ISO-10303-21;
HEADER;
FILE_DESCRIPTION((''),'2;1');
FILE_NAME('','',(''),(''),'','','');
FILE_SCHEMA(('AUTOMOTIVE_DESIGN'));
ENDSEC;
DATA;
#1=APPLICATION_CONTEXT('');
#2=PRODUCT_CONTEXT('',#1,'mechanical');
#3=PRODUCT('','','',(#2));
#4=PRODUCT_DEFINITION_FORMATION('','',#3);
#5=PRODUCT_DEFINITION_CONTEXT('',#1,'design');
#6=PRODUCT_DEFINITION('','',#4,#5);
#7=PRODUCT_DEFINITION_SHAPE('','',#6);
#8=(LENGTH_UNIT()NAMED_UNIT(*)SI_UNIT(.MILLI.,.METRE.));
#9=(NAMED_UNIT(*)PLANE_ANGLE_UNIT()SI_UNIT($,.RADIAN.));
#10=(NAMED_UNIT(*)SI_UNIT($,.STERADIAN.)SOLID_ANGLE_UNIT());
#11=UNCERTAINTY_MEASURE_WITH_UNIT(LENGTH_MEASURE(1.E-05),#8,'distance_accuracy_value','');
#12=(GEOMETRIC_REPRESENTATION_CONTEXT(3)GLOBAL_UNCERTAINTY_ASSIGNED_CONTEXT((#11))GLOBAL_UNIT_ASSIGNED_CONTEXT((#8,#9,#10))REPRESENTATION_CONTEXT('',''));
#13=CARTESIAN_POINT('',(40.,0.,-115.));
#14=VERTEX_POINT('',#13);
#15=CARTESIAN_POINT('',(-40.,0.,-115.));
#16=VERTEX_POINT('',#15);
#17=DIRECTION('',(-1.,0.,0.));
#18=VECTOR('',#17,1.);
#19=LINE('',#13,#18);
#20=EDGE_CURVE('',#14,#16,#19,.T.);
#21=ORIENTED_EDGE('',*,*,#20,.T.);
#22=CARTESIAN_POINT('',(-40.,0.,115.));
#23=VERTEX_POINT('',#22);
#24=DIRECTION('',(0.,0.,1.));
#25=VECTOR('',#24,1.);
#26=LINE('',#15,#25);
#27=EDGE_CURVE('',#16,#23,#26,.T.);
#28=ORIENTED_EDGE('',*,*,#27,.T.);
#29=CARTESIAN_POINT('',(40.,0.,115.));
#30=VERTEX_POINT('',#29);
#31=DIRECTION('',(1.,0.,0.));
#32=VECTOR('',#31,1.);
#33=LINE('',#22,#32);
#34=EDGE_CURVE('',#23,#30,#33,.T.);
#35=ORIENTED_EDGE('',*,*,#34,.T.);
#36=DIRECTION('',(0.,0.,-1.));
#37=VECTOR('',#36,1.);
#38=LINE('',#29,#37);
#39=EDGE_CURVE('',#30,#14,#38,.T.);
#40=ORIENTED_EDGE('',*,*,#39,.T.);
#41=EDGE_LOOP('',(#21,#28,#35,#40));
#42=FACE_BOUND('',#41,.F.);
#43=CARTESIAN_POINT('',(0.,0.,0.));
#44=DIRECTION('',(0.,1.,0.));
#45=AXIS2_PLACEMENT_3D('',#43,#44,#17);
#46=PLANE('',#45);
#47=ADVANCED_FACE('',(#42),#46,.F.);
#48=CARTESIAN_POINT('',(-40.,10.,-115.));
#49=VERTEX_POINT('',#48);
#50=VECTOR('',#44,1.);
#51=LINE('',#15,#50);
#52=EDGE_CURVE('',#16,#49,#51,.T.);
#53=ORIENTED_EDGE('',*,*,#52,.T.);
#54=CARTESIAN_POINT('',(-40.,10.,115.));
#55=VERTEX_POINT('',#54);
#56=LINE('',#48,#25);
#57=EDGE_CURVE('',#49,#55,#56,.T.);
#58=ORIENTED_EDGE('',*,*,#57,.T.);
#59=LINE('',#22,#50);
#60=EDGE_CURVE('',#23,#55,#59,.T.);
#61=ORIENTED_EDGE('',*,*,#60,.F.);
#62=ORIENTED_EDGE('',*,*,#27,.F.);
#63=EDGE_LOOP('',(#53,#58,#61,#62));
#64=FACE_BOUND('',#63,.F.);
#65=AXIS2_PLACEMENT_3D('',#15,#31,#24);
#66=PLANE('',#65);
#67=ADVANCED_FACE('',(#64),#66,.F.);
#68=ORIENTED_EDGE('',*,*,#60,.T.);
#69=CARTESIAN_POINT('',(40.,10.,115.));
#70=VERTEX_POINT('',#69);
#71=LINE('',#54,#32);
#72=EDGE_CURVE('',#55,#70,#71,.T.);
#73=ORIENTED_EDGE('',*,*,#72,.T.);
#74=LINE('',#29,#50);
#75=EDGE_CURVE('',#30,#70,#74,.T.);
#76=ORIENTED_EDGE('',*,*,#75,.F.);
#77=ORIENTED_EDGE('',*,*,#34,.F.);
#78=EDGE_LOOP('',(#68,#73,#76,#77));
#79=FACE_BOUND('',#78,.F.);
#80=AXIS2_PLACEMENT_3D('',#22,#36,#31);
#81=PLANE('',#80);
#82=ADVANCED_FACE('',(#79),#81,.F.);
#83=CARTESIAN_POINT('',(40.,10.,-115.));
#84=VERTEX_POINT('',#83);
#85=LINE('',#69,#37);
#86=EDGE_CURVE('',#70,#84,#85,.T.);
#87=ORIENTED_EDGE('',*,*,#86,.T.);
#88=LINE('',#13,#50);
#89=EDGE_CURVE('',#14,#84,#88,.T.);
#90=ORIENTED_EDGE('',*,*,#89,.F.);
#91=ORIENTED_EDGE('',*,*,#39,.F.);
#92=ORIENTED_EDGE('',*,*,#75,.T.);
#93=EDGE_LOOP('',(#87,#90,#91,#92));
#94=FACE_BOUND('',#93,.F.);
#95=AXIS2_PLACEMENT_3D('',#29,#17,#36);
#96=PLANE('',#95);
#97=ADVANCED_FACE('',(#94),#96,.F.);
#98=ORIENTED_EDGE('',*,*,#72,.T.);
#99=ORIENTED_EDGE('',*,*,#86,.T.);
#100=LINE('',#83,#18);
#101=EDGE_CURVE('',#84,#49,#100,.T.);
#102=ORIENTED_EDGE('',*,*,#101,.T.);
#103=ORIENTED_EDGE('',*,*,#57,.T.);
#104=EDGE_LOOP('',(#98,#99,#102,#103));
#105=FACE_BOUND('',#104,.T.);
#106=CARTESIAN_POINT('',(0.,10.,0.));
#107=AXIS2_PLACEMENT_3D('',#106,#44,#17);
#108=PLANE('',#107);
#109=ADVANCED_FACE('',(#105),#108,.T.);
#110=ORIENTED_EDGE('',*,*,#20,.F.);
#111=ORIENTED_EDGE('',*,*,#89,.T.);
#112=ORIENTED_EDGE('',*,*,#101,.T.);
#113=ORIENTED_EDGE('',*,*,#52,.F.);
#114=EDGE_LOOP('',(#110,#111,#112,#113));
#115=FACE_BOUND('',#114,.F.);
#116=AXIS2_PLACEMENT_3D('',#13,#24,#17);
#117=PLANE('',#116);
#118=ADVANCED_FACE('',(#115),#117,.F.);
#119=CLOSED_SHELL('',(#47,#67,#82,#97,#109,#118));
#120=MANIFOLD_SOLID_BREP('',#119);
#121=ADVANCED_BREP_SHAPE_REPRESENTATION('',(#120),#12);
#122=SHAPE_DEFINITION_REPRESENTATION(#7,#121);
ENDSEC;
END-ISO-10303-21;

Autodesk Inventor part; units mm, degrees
ref_plane "YZ Plane" through (0, 0, 0) normal (1, 0, 0) x (0, 1, 0)
ref_plane "XZ Plane" through (0, 0, 0) normal (0, 1, 0) x (-1, 0, 0)
ref_plane "XY Plane" through (0, 0, 0) normal (0, 0, 1) x (1, 0, 0)
sketch "草图1" plane through (0, 0, 0) normal (0, 1, 0) x (-1, 0, 0)
  line L0 (40, 115) -> (-40, 115)
  line L1 (-40, 115) -> (-40, -115)
  line L2 (-40, -115) -> (40, -115)
  line L3 (40, -115) -> (40, 115)
  line L4 (0, 5.532) -> (0, -5.7915)
  line L5 (3, 0) -> (-2, 0)
  point P0 (0, 0)
  point P1 (0, 0)
  dimension "d0" = 80
  dimension "d1" = 230
extrude "拉伸1" add sketch "草图1" along normal blind 10
properties part number "right"
